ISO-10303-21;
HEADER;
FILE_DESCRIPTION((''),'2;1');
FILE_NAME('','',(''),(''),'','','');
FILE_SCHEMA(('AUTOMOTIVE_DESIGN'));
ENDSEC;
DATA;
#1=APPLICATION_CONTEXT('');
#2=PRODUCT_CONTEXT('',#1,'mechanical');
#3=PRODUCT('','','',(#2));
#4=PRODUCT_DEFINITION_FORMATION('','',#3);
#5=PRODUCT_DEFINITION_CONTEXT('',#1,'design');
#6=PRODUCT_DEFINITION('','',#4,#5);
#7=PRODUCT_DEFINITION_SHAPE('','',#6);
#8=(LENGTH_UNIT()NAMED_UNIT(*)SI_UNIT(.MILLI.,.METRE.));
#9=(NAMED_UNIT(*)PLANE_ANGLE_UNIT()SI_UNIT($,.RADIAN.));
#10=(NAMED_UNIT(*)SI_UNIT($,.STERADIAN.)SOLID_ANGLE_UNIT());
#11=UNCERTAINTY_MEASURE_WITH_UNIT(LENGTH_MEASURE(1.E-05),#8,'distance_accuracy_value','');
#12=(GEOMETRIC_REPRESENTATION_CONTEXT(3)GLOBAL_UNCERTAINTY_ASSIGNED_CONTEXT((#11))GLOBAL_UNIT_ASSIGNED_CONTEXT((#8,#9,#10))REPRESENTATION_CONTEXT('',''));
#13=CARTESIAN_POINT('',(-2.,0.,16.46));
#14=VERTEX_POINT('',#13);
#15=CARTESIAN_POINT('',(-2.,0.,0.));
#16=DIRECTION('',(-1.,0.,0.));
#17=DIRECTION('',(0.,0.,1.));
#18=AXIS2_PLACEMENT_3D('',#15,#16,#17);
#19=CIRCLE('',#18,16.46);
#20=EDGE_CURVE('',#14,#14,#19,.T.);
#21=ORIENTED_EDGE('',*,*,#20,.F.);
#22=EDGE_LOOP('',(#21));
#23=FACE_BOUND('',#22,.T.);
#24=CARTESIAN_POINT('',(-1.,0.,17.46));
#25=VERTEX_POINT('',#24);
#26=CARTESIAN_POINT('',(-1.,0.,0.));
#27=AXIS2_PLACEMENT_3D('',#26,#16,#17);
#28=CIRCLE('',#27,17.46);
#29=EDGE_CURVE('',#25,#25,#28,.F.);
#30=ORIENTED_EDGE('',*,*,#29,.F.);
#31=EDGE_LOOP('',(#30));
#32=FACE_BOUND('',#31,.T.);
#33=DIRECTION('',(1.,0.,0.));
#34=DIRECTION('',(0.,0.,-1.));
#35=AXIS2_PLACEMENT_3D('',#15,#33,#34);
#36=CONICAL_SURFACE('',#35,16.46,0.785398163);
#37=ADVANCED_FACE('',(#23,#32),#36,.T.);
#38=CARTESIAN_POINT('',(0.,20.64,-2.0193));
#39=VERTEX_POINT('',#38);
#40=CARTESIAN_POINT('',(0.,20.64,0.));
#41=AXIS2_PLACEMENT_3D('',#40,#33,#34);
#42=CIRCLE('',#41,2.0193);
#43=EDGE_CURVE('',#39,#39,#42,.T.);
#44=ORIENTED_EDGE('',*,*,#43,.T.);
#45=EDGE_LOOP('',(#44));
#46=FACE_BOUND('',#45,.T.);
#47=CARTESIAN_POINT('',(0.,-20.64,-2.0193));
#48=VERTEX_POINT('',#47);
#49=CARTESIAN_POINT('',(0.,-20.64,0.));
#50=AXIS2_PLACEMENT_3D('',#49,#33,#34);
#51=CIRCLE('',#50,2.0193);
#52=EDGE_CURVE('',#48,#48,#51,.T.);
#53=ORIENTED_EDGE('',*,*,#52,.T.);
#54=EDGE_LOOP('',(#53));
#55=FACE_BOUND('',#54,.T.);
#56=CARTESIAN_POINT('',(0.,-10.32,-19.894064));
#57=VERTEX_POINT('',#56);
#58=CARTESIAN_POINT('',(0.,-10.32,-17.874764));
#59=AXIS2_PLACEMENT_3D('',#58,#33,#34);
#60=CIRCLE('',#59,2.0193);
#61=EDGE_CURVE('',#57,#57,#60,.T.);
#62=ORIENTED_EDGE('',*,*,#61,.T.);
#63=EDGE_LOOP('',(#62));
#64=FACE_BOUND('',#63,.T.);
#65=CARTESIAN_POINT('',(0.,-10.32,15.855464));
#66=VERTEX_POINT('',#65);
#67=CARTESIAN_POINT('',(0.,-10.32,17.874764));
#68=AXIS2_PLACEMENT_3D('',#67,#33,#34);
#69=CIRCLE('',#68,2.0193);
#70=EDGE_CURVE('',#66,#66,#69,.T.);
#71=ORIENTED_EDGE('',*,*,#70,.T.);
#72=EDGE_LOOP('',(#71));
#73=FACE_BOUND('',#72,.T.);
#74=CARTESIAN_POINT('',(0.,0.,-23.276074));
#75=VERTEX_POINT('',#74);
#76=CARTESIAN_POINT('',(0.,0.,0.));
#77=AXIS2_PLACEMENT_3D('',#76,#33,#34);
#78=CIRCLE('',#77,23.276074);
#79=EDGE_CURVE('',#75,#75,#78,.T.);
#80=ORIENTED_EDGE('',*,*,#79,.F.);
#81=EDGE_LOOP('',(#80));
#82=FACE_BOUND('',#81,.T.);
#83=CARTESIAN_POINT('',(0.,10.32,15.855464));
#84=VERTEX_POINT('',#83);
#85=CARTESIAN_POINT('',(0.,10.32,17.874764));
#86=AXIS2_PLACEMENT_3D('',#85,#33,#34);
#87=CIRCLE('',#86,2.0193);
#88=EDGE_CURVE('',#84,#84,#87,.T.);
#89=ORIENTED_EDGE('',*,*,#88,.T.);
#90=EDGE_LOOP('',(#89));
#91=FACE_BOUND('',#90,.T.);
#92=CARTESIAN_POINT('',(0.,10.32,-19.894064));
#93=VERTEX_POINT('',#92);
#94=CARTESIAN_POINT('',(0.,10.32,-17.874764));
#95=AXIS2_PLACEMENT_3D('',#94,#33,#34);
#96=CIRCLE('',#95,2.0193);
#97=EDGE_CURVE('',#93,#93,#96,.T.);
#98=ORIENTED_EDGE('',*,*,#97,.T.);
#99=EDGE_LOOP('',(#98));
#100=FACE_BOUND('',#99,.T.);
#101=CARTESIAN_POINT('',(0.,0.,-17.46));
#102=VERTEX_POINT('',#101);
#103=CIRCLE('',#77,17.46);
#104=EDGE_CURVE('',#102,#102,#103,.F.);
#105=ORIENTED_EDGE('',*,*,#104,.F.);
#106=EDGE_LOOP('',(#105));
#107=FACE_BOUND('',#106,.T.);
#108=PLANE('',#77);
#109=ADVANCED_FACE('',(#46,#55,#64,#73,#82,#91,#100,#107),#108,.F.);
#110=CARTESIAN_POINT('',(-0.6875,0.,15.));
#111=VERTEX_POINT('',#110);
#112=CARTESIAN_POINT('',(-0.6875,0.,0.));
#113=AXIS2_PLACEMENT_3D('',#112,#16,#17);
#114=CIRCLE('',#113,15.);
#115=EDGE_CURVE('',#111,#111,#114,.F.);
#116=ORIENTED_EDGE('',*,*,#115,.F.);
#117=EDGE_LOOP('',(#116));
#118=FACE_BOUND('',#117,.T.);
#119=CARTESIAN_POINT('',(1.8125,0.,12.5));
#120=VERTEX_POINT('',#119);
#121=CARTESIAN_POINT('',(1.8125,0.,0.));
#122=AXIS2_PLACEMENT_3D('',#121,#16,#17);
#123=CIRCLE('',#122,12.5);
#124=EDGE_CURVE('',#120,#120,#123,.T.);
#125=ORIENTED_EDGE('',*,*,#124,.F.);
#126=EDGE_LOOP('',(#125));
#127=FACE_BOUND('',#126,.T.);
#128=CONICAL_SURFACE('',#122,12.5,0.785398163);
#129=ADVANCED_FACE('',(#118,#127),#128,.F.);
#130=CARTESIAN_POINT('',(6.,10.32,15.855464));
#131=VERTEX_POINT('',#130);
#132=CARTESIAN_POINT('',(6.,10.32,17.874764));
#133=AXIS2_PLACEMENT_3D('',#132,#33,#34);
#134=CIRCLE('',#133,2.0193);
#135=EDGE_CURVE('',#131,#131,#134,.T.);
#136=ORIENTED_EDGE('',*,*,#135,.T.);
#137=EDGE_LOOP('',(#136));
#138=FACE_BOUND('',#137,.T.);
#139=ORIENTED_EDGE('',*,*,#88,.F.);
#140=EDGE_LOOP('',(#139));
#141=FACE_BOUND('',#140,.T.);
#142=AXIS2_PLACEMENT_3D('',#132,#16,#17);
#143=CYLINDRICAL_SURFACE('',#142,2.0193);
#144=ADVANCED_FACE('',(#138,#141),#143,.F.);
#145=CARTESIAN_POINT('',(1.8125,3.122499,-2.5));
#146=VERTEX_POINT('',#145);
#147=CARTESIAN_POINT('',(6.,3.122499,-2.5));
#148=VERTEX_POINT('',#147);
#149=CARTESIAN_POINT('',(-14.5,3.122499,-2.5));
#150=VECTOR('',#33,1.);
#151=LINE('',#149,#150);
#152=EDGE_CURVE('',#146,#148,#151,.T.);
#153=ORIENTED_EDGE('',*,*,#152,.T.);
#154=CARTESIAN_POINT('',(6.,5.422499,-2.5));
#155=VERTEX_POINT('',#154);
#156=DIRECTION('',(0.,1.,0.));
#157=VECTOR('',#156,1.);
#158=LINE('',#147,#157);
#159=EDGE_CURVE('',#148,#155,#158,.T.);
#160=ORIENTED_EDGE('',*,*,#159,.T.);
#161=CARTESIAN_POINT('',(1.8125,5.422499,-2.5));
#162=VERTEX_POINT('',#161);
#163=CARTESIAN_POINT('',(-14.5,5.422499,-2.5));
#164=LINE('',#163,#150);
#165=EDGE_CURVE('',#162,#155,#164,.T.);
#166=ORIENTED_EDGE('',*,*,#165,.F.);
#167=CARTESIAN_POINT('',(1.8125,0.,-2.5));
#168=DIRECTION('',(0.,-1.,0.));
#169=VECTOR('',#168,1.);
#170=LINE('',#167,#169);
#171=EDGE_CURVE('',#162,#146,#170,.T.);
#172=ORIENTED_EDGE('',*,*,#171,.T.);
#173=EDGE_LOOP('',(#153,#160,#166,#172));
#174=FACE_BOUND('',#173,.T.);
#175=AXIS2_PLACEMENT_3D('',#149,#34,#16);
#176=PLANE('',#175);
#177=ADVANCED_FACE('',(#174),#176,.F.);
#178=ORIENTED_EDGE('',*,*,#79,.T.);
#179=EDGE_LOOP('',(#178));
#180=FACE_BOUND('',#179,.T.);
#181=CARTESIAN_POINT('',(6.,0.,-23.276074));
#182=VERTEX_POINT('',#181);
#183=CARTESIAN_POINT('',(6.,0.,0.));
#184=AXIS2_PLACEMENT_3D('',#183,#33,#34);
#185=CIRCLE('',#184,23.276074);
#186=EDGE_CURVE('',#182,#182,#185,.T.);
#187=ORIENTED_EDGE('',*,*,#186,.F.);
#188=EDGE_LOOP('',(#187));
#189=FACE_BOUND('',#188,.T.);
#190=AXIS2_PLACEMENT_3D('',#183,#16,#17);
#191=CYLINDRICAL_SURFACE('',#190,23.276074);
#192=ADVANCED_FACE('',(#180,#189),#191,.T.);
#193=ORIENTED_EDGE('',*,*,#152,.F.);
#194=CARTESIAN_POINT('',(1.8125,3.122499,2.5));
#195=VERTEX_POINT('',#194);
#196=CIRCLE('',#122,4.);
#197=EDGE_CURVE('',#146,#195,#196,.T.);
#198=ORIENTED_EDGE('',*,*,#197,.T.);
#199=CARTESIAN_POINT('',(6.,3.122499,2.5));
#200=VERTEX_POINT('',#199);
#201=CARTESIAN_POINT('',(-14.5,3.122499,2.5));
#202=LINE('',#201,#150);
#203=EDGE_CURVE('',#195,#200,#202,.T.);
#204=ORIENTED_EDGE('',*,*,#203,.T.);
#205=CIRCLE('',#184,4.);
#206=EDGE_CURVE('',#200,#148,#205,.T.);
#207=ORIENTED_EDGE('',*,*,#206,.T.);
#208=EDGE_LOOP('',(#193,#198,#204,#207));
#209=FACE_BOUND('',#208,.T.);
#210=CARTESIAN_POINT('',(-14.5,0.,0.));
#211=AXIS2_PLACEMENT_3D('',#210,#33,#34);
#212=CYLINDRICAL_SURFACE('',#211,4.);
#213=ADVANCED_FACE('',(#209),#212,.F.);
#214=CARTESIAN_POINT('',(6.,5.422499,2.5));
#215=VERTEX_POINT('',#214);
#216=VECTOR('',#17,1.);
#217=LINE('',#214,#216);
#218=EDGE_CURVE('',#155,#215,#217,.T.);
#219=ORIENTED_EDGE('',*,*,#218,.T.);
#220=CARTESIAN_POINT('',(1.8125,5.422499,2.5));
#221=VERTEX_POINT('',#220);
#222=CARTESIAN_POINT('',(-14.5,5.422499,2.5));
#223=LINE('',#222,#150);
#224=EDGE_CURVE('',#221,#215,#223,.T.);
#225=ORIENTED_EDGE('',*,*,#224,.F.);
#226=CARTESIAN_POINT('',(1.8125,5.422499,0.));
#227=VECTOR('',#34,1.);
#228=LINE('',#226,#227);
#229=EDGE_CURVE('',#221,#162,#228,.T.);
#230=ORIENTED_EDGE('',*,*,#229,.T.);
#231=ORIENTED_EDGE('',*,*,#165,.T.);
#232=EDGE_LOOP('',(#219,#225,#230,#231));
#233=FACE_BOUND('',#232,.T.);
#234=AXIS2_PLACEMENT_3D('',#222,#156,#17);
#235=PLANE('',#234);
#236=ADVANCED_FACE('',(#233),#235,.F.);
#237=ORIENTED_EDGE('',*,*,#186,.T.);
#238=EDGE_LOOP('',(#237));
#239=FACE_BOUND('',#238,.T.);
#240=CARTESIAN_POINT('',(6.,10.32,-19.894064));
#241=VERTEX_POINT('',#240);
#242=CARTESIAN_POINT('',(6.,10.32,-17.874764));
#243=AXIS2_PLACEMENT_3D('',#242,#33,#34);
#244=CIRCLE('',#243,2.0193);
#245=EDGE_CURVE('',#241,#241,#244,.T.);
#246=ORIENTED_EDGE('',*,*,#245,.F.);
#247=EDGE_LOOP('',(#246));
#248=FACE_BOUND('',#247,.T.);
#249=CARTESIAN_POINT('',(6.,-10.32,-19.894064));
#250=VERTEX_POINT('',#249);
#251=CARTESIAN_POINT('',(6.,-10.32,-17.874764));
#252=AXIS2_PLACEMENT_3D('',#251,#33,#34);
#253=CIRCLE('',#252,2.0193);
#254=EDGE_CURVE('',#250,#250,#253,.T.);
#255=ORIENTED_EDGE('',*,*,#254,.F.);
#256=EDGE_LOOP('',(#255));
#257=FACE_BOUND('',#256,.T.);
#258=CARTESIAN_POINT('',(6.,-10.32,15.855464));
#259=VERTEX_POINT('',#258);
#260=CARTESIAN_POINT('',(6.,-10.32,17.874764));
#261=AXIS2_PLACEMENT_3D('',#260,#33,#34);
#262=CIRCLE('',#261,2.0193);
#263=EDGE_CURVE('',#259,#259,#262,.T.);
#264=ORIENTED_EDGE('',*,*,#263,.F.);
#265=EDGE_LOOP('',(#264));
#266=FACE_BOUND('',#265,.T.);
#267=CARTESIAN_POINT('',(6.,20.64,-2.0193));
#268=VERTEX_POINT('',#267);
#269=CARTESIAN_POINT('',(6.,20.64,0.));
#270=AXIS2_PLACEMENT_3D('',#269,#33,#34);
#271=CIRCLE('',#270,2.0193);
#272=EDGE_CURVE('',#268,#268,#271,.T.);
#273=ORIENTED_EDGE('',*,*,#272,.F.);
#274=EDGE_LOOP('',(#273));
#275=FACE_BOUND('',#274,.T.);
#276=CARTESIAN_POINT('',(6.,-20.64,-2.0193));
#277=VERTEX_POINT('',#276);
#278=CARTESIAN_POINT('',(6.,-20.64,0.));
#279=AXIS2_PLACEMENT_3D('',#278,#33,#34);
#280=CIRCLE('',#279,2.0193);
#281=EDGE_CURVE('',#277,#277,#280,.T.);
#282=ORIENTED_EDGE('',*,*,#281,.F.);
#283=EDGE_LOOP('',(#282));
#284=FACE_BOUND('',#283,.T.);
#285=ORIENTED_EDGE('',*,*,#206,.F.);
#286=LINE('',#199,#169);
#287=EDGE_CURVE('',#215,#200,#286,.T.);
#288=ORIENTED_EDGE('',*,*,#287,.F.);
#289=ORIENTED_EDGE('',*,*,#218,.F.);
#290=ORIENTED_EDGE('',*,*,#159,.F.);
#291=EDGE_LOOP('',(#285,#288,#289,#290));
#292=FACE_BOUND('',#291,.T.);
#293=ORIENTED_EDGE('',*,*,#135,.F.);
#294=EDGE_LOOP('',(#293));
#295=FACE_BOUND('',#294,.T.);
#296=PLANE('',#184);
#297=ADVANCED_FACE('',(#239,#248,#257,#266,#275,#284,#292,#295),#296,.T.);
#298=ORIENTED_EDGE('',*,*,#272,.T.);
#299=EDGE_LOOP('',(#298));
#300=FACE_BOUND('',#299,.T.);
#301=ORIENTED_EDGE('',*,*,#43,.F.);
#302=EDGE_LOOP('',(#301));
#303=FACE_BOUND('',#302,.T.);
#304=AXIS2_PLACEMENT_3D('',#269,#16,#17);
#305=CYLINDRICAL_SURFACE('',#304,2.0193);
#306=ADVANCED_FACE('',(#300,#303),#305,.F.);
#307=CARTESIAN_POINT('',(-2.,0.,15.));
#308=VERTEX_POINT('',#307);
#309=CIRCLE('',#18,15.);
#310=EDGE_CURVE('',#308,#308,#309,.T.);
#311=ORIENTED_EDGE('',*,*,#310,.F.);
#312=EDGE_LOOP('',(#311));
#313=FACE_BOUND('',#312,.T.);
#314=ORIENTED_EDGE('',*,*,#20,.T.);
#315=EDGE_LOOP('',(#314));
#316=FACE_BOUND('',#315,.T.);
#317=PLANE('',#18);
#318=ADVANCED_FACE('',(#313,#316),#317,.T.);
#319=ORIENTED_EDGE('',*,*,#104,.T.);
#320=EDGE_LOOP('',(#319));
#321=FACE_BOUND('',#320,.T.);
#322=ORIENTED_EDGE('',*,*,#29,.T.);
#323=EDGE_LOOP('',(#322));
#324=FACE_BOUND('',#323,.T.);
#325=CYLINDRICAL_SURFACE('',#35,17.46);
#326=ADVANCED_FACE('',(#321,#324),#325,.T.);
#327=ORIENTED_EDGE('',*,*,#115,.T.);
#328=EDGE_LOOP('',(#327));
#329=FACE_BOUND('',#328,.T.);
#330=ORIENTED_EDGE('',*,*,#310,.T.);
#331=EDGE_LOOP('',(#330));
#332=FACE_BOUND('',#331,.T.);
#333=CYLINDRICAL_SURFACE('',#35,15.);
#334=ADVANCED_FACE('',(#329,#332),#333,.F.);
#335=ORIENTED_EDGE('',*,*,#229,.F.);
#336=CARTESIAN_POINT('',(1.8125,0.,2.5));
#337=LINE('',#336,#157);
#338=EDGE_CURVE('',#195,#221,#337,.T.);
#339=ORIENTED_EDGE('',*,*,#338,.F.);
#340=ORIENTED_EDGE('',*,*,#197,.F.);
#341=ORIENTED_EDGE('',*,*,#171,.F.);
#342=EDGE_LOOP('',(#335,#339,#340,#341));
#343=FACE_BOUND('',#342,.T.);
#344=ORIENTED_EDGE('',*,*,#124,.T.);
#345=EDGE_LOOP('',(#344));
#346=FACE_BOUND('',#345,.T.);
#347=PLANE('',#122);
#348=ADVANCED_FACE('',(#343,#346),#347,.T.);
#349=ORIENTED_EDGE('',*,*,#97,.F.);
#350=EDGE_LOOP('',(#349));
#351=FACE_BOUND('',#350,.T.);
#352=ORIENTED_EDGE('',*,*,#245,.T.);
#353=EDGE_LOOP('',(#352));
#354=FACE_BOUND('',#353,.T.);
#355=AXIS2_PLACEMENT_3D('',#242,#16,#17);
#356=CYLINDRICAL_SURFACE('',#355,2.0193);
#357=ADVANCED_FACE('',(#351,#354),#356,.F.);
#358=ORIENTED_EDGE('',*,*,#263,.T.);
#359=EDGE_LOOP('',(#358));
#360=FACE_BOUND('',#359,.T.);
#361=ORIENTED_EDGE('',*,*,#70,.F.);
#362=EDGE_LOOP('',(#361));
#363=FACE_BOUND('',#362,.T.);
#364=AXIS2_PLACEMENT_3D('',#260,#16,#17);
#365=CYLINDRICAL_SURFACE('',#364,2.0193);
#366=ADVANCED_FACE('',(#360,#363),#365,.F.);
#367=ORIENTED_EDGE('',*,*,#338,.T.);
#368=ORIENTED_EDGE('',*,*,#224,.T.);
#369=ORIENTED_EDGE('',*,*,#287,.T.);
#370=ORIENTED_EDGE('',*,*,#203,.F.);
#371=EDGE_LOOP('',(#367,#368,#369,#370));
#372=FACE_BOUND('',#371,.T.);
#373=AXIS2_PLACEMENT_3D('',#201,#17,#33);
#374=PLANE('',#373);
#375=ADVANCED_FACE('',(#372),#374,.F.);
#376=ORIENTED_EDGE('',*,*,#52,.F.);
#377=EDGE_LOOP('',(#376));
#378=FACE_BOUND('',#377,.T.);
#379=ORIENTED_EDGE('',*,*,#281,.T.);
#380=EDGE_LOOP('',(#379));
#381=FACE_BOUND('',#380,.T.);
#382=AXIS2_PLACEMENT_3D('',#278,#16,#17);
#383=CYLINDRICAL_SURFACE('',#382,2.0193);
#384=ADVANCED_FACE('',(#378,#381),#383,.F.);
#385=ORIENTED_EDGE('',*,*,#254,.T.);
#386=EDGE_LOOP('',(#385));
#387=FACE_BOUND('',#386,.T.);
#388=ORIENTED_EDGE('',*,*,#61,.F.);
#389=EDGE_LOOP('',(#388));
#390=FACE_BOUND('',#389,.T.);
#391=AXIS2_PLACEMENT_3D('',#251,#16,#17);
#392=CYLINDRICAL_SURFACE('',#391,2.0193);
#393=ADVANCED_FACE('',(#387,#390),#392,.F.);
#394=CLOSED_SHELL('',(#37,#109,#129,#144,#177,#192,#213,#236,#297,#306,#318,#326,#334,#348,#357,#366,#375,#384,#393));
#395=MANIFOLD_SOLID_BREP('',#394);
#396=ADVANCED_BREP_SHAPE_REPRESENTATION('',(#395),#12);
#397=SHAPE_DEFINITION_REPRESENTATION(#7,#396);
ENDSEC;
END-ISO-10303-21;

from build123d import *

# Parameters (mm, degrees)
SKETCH1_R           = 23.276074499
SKETCH1_R_2         = 2.0193
BOSS_EXTRUDE1_DEPTH = 6
SKETCH2_R           = 17.46
SKETCH2_R_2         = 15
BOSS_EXTRUDE2_DEPTH = 2
CUT_EXTRUDE2_START  = -1.8125
SKETCH4_R           = 15
CUT_EXTRUDE2_DEPTH  = 1.8125
CHAMFER4_SIZE       = 2.5
CHAMFER5_SIZE       = 1
CUT_EXTRUDE3_DEPTH  = 20.5


with BuildPart() as part:
    # Sketch1 → Boss-Extrude1 (new body)
    with BuildSketch(Plane(origin=(0, 0, 0), x_dir=(0, 0, -1), z_dir=(1, 0, 0))):
        Circle(SKETCH1_R)
        with Locations((0, 20.64)):
            Circle(SKETCH1_R_2, mode=Mode.SUBTRACT)
        with Locations((17.874764334, 10.32)):
            Circle(SKETCH1_R_2, mode=Mode.SUBTRACT)
        with Locations((17.874764334, -10.32)):
            Circle(SKETCH1_R_2, mode=Mode.SUBTRACT)
        with Locations((0, -20.64)):
            Circle(SKETCH1_R_2, mode=Mode.SUBTRACT)
        with Locations((-17.874764334, -10.32)):
            Circle(SKETCH1_R_2, mode=Mode.SUBTRACT)
        with Locations((-17.874764334, 10.32)):
            Circle(SKETCH1_R_2, mode=Mode.SUBTRACT)
    extrude(amount=BOSS_EXTRUDE1_DEPTH)

    # Sketch2 → Boss-Extrude2 (add)
    with BuildSketch(Plane.ZY):
        with Locations(Location((0, 0, 0), (0, 0, 180))):
            Circle(SKETCH2_R)
        Circle(SKETCH2_R_2, mode=Mode.SUBTRACT)
    extrude(amount=BOSS_EXTRUDE2_DEPTH)

    # Sketch4 → Cut-Extrude2 (cut)
    with BuildSketch(Plane.ZY.offset(CUT_EXTRUDE2_START)):
        Circle(SKETCH4_R)
    extrude(amount=CUT_EXTRUDE2_DEPTH, mode=Mode.SUBTRACT)

    # Chamfer4
    chamfer4_edges = [part.edges().sort_by_distance(p)[0] for p in [
        (1.8125, 0, -15),
    ]]
    chamfer(chamfer4_edges, length=CHAMFER4_SIZE)

    # Chamfer5
    chamfer5_edges = [part.edges().sort_by_distance(p)[0] for p in [
        (-2, 0, 17.46),
    ]]
    chamfer(chamfer5_edges, length=CHAMFER5_SIZE)

    # Sketch7 → Cut-Extrude3 (cut)
    with BuildSketch(Plane(origin=(6, 0, 0), x_dir=(0, 0, -1), z_dir=(1, 0, 0))):
        with BuildLine():
            Line((-2.5, 3.122498999), (-2.5, 5.422498999))
            Line((-2.5, 5.422498999), (2.5, 5.422498999))
            Line((2.5, 5.422498999), (2.5, 3.122498999))
            ThreePointArc((2.5, 3.122498999), (0, -4), (-2.5, 3.122498999))
        make_face()
    extrude(amount=-CUT_EXTRUDE3_DEPTH, mode=Mode.SUBTRACT)


solid = part.part
